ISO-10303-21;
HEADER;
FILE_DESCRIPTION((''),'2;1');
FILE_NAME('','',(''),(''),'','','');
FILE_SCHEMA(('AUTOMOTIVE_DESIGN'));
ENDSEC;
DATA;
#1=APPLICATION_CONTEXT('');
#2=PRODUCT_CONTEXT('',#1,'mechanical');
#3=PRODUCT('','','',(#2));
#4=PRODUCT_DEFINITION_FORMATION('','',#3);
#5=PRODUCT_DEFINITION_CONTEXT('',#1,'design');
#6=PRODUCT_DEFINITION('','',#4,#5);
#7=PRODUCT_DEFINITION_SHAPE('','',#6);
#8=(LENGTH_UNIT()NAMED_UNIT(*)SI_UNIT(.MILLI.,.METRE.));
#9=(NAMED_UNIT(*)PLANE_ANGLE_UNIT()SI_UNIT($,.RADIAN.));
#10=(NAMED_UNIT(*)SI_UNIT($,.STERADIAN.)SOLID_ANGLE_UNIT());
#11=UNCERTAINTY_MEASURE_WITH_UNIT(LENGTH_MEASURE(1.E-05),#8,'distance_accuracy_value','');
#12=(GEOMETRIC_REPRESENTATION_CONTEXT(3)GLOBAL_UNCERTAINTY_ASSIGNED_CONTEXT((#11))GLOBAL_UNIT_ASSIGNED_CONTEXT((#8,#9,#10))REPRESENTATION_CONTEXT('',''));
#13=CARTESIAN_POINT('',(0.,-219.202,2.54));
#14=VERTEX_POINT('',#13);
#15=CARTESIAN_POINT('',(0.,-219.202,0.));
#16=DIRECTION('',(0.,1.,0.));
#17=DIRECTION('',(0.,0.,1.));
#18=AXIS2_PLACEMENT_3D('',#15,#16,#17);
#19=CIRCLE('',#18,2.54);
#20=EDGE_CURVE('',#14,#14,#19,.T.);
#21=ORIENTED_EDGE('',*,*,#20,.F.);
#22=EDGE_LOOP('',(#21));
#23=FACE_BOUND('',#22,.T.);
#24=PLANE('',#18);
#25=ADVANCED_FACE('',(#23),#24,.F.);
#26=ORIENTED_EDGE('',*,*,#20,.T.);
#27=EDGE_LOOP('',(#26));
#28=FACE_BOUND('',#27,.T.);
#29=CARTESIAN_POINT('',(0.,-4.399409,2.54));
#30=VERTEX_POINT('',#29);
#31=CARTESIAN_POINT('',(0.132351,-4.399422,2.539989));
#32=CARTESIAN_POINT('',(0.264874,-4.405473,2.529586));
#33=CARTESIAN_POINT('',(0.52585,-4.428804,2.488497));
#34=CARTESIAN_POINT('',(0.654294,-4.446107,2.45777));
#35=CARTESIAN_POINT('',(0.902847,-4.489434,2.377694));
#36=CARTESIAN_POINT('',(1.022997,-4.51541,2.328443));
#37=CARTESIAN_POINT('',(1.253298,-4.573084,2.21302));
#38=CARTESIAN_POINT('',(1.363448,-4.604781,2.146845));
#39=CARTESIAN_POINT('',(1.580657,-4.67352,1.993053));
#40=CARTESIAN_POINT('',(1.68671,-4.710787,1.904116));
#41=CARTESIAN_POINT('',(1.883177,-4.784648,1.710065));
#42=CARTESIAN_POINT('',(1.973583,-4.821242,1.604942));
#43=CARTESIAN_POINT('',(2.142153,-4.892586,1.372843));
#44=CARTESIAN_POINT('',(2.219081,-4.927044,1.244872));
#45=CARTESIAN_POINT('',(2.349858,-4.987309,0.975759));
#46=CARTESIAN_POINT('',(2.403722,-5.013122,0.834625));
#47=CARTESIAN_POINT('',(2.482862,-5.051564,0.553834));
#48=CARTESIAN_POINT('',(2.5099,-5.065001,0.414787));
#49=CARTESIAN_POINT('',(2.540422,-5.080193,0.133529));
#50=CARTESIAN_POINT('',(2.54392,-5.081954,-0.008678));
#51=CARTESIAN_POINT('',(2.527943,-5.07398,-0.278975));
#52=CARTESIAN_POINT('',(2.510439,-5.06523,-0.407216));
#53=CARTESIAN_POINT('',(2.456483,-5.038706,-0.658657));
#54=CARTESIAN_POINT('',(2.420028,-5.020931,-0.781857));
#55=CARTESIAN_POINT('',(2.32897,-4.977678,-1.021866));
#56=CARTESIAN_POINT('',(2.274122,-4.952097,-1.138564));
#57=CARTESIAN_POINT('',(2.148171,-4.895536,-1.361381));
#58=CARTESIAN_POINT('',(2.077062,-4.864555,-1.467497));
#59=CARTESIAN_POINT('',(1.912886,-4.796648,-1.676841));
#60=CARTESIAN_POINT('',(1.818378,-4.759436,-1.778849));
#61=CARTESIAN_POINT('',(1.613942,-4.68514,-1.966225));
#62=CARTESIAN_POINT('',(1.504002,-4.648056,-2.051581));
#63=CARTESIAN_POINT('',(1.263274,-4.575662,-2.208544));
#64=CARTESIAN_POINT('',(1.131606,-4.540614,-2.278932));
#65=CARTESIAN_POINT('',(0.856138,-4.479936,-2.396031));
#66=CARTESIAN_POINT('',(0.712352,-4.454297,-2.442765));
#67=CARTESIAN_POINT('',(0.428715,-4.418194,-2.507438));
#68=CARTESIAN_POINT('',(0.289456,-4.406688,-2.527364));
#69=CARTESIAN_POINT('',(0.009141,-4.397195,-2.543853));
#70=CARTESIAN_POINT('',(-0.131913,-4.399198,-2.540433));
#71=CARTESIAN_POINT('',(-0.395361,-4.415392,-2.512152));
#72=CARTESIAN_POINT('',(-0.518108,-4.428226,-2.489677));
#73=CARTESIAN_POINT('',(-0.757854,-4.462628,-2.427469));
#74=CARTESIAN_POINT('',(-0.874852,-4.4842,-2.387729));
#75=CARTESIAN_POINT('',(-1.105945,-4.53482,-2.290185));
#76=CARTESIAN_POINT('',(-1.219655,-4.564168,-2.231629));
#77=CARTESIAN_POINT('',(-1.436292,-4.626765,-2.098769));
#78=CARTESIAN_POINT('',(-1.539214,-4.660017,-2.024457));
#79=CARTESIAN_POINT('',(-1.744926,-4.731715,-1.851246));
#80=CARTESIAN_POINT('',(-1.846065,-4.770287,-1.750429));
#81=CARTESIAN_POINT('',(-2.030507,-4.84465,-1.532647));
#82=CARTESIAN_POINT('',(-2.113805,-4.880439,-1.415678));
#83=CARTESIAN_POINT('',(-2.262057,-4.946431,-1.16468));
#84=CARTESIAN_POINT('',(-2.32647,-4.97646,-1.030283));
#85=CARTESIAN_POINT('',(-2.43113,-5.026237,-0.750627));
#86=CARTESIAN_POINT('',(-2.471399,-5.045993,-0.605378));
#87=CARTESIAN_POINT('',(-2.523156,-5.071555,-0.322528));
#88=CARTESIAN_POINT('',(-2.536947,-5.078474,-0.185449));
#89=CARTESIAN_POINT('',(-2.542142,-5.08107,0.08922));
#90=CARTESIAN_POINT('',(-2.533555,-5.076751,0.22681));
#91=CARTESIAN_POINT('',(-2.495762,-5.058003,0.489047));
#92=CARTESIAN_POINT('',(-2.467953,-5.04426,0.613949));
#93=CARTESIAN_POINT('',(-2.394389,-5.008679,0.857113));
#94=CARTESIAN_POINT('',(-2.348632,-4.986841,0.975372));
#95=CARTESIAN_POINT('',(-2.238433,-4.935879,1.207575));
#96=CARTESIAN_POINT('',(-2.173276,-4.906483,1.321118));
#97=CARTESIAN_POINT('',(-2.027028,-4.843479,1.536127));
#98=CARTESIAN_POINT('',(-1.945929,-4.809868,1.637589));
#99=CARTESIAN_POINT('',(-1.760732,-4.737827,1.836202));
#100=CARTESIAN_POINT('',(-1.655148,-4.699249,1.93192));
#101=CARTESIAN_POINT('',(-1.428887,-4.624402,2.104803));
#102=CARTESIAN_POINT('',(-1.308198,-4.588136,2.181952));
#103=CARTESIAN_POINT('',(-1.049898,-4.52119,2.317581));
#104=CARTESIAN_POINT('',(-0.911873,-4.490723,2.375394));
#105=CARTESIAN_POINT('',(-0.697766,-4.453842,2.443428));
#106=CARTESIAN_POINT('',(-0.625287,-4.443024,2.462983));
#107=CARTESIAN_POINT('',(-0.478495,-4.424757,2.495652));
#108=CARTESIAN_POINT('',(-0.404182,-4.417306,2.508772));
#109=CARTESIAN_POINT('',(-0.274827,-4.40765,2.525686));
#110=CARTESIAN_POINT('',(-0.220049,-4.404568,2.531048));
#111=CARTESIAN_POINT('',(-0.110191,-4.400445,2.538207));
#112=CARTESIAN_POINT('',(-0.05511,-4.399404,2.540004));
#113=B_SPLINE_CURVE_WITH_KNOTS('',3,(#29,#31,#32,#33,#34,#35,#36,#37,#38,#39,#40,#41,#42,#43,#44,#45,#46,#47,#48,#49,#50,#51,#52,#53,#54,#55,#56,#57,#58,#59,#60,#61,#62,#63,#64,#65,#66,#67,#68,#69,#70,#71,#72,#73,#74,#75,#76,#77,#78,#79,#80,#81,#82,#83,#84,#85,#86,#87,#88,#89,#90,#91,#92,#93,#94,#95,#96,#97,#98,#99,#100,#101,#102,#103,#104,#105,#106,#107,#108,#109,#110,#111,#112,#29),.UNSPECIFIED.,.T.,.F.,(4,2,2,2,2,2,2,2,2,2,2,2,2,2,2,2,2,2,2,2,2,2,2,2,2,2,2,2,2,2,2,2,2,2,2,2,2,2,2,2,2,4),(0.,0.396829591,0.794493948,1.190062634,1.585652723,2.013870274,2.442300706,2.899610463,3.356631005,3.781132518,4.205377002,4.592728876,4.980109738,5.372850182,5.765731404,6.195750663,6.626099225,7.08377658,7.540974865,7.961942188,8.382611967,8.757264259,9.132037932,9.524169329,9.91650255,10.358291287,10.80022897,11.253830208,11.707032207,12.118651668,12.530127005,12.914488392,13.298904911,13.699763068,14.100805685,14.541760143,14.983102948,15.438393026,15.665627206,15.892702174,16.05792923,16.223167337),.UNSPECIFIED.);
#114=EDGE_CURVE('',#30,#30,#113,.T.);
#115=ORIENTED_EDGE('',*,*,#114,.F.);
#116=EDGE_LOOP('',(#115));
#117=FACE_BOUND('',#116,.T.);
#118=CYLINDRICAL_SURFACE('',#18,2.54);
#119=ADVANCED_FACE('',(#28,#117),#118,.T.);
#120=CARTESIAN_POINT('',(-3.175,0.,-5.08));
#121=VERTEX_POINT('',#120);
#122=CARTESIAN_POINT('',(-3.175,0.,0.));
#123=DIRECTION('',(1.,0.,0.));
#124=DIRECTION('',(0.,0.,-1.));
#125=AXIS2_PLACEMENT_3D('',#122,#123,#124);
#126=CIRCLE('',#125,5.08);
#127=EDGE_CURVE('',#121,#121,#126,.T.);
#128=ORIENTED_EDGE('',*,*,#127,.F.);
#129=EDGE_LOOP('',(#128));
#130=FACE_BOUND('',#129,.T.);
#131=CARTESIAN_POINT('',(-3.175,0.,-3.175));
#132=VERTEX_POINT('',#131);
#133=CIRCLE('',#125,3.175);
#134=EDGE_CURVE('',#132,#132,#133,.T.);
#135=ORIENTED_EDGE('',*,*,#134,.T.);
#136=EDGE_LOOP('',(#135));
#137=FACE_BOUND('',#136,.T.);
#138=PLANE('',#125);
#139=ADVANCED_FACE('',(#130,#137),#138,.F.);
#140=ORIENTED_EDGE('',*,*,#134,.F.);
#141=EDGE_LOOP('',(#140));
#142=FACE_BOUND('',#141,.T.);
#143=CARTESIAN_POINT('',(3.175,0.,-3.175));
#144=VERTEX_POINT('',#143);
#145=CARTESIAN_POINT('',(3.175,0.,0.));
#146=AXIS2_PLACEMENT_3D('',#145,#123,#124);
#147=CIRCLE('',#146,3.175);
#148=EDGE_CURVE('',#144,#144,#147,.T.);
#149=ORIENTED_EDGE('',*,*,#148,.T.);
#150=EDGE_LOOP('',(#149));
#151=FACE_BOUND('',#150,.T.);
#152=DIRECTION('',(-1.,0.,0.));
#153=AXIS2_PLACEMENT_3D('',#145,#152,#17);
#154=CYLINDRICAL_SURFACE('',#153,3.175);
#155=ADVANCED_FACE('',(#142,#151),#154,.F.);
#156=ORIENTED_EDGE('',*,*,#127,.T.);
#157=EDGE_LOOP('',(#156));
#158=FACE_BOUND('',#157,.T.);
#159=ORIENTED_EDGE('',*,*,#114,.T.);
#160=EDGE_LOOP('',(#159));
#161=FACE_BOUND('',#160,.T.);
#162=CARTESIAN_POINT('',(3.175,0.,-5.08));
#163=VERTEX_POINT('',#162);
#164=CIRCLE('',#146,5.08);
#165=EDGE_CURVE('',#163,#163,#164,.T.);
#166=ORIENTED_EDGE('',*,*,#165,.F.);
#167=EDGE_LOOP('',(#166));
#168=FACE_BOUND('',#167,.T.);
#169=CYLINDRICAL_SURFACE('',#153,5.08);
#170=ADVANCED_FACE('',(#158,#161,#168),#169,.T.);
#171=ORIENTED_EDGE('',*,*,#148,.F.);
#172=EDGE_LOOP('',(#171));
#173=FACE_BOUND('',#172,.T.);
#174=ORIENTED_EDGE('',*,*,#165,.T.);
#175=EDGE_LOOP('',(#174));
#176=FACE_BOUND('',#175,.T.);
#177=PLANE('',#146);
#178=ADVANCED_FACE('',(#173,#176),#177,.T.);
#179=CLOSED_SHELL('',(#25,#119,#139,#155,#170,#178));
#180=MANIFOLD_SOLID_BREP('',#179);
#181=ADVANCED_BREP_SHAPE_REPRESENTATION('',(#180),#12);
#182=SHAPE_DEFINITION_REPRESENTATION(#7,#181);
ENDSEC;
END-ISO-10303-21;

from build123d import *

# Parameters (mm, degrees)
SKETCH1_R           = 5.08
SKETCH1_R_2         = 3.175
BOSS_EXTRUDE1_DEPTH = 3.175
SKETCH2_R           = 2.54
BOSS_EXTRUDE2_DEPTH = 215.9


with BuildPart() as part:
    # Sketch1 → Boss-Extrude1 (new body, symmetric)
    with BuildSketch(Plane(origin=(0, 0, 0), x_dir=(0, 0, -1), z_dir=(1, 0, 0))):
        Circle(SKETCH1_R)
        Circle(SKETCH1_R_2, mode=Mode.SUBTRACT)
    extrude(amount=BOSS_EXTRUDE1_DEPTH, both=True)

    # Sketch2 → Boss-Extrude2 (add)
    with BuildSketch(Plane(origin=(0, -3.302, 0), x_dir=(1, 0, 0), z_dir=(0, 1, 0))):
        Circle(SKETCH2_R)
    extrude(amount=-BOSS_EXTRUDE2_DEPTH)


solid = part.part
